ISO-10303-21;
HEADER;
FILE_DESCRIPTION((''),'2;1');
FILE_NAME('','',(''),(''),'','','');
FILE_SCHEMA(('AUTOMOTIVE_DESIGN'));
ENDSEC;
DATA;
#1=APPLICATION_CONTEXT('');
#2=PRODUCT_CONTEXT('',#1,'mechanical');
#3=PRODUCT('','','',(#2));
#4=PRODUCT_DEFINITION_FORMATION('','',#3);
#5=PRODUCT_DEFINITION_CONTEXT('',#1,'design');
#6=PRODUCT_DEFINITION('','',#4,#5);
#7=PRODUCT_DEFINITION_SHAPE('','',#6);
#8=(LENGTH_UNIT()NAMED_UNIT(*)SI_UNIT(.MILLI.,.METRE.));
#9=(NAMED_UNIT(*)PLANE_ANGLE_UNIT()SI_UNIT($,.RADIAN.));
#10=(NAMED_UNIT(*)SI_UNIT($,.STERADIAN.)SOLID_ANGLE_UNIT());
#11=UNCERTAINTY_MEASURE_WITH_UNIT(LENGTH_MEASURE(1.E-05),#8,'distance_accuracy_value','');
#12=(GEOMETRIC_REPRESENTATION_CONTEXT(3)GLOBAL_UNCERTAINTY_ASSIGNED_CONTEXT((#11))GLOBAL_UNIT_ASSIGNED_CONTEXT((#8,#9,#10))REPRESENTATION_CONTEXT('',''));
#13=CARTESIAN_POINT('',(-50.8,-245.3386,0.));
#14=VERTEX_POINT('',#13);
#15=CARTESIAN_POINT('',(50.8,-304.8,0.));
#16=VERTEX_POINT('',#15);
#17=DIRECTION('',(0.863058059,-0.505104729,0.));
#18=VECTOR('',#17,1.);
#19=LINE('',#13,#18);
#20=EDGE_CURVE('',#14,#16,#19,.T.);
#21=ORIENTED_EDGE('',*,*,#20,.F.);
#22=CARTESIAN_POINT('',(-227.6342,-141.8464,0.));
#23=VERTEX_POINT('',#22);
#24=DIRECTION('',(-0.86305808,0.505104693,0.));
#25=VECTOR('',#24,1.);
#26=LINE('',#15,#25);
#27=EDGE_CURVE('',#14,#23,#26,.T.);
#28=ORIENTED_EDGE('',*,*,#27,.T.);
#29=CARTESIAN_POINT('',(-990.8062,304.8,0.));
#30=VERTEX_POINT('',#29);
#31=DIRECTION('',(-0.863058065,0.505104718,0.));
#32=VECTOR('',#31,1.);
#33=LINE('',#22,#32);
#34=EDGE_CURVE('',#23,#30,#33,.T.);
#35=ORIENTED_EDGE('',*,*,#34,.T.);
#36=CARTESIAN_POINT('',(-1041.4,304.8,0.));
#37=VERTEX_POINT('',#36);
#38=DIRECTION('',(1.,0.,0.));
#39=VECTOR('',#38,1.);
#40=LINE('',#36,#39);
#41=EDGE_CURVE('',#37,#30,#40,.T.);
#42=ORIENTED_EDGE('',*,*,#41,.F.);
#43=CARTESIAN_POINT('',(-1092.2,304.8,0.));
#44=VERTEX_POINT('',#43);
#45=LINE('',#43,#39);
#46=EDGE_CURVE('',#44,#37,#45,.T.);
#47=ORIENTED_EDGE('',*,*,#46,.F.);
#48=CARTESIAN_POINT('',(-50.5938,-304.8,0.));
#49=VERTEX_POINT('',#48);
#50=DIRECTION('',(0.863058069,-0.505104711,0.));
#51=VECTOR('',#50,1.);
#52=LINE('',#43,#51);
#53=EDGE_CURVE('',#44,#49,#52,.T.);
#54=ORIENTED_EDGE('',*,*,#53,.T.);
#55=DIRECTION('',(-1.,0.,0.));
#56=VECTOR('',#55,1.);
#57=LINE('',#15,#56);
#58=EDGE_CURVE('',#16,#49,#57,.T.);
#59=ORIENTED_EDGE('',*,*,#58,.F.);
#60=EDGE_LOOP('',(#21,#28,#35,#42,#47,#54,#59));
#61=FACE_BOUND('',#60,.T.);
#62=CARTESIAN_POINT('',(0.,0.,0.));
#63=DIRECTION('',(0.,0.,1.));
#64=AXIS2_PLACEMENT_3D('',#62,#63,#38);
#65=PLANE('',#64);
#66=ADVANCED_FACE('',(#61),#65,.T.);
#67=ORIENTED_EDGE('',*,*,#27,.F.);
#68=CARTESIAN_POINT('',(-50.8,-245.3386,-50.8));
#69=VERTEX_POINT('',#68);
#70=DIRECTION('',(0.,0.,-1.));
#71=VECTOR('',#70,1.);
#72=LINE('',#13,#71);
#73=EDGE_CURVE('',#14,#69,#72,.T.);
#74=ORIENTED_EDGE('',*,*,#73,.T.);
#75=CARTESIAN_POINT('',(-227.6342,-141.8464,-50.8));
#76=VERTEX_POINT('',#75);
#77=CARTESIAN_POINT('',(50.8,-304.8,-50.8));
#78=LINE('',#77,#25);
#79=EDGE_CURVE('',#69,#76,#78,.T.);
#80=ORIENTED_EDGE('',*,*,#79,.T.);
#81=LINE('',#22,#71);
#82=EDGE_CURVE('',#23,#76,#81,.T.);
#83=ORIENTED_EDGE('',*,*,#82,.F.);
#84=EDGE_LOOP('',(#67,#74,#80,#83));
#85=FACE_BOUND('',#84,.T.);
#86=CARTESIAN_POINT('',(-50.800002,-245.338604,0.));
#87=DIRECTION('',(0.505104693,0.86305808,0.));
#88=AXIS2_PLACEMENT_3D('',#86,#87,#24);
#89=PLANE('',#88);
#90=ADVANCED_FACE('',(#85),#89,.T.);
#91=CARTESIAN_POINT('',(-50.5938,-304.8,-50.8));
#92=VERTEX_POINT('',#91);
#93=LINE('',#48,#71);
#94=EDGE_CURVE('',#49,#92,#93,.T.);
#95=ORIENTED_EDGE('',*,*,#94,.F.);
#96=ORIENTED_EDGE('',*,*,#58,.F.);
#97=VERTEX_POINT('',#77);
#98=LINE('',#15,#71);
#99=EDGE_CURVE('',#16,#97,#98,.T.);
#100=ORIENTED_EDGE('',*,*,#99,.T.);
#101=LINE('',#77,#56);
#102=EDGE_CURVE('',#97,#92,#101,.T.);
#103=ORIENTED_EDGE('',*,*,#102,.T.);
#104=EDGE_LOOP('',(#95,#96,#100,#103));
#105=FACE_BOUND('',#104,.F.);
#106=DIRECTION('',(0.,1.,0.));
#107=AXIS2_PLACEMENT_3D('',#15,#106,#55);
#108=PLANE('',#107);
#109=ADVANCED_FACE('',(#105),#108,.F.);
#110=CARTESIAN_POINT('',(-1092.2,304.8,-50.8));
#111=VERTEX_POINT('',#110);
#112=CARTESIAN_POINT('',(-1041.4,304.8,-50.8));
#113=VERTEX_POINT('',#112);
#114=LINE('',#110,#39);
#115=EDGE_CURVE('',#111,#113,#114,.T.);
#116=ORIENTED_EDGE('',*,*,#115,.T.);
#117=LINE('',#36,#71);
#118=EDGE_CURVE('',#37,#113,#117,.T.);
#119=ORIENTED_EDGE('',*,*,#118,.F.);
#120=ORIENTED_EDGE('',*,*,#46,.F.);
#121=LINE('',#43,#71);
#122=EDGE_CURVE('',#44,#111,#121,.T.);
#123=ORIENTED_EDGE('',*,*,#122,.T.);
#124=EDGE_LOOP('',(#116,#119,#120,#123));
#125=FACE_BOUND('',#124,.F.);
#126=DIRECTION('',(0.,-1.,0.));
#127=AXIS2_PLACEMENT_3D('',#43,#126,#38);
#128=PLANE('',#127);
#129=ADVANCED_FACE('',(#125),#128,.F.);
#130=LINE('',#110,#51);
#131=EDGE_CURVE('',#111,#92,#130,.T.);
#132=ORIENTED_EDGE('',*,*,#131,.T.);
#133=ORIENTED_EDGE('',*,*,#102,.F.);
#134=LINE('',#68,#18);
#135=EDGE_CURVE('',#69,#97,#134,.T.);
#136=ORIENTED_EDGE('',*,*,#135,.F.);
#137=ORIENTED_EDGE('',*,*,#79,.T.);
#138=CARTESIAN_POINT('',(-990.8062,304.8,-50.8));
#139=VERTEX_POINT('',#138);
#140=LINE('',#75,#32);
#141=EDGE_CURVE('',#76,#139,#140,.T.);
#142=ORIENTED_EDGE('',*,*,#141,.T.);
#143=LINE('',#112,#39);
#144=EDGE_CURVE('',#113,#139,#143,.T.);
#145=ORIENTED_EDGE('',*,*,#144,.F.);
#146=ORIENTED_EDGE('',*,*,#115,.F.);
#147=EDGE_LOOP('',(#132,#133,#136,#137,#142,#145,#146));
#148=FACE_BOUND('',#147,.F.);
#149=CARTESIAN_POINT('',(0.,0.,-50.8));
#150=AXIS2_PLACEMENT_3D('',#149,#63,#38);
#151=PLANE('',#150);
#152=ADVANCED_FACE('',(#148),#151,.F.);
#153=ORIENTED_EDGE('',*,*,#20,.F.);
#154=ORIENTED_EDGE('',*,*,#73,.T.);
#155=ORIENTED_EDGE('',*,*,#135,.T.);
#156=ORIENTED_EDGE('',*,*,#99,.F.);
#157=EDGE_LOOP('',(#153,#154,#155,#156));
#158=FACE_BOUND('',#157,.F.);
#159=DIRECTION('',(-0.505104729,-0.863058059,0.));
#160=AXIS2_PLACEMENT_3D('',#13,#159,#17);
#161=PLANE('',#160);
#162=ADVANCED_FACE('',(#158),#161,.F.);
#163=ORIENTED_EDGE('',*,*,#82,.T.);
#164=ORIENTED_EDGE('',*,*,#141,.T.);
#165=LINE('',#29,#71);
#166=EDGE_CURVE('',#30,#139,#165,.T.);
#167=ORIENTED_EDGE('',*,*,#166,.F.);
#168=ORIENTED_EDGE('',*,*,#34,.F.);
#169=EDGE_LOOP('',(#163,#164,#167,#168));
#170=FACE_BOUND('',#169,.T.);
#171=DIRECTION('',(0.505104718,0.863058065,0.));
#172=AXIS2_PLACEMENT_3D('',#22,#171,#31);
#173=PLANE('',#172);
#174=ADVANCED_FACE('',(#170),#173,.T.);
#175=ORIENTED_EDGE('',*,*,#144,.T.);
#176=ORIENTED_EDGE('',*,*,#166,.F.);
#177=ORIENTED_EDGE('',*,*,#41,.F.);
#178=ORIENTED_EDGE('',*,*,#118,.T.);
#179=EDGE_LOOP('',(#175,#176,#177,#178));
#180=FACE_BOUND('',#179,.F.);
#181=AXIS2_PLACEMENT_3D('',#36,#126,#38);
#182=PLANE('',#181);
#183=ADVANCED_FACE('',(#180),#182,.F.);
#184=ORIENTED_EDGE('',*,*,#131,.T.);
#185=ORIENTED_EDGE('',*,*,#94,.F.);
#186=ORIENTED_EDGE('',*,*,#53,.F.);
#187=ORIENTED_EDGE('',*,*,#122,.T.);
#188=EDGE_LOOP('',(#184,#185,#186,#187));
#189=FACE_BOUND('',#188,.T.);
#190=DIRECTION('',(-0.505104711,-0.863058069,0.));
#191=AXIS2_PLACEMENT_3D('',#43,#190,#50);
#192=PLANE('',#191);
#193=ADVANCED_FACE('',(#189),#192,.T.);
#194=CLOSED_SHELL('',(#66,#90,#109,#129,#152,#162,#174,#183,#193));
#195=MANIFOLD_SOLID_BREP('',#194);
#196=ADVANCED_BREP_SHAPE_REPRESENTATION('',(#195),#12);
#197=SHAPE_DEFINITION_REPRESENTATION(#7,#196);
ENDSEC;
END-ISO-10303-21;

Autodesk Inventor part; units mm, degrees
ref_plane "YZ Plane" through (0, 0, 0) normal (1, 0, 0) x (0, 1, 0)
ref_plane "XZ Plane" through (0, 0, 0) normal (0, 1, 0) x (-1, 0, 0)
ref_plane "XY Plane" through (0, 0, 0) normal (0, 0, 1) x (1, 0, 0)
ref_plane "Work Plane1" through (0, 0, 0) normal (0, 0, 1) x (1, 0, 0)
sketch "Sketch1" plane through (0, 0, 0) normal (0, 0, 1) x (1, 0, 0)
  line L0 (-1092.2, 304.8) -> (-1041.4, 304.8) projected
  line L1 (-50.8, -245.3386) -> (50.8, -304.8) projected
  line L2 (-1041.4, 304.8) -> (1524, 304.8) projected
  line L3 (-990.8062, 304.8) -> (-1092.2, 304.8)
  line L4 (-990.8062, 304.8) -> (-1092.2, 304.8)
  line L5 (-990.8062, 304.8) -> (-1092.2, 304.8)
  line L6 (50.8, -304.8) -> (-227.6342, -141.8464)
  line L7 (-227.6342, -141.8464) -> (-990.8062, 304.8)
  line L8 (-990.8062, 304.8) -> (-1092.2, 304.8)
  line L9 (-1092.2, 304.8) -> (-50.5938, -304.8)
  line L10 (50.8, -304.8) -> (-50.5938, -304.8)
  point P0 (-905.0447, 254.6081)
  point P1 (-930.9134, 210.407)
  point P2 (-162.6995, -179.8494)
extrude "Extrusion1" add sketch "Sketch1" against normal blind 50.8
properties part number "2x4x(24x43)"
